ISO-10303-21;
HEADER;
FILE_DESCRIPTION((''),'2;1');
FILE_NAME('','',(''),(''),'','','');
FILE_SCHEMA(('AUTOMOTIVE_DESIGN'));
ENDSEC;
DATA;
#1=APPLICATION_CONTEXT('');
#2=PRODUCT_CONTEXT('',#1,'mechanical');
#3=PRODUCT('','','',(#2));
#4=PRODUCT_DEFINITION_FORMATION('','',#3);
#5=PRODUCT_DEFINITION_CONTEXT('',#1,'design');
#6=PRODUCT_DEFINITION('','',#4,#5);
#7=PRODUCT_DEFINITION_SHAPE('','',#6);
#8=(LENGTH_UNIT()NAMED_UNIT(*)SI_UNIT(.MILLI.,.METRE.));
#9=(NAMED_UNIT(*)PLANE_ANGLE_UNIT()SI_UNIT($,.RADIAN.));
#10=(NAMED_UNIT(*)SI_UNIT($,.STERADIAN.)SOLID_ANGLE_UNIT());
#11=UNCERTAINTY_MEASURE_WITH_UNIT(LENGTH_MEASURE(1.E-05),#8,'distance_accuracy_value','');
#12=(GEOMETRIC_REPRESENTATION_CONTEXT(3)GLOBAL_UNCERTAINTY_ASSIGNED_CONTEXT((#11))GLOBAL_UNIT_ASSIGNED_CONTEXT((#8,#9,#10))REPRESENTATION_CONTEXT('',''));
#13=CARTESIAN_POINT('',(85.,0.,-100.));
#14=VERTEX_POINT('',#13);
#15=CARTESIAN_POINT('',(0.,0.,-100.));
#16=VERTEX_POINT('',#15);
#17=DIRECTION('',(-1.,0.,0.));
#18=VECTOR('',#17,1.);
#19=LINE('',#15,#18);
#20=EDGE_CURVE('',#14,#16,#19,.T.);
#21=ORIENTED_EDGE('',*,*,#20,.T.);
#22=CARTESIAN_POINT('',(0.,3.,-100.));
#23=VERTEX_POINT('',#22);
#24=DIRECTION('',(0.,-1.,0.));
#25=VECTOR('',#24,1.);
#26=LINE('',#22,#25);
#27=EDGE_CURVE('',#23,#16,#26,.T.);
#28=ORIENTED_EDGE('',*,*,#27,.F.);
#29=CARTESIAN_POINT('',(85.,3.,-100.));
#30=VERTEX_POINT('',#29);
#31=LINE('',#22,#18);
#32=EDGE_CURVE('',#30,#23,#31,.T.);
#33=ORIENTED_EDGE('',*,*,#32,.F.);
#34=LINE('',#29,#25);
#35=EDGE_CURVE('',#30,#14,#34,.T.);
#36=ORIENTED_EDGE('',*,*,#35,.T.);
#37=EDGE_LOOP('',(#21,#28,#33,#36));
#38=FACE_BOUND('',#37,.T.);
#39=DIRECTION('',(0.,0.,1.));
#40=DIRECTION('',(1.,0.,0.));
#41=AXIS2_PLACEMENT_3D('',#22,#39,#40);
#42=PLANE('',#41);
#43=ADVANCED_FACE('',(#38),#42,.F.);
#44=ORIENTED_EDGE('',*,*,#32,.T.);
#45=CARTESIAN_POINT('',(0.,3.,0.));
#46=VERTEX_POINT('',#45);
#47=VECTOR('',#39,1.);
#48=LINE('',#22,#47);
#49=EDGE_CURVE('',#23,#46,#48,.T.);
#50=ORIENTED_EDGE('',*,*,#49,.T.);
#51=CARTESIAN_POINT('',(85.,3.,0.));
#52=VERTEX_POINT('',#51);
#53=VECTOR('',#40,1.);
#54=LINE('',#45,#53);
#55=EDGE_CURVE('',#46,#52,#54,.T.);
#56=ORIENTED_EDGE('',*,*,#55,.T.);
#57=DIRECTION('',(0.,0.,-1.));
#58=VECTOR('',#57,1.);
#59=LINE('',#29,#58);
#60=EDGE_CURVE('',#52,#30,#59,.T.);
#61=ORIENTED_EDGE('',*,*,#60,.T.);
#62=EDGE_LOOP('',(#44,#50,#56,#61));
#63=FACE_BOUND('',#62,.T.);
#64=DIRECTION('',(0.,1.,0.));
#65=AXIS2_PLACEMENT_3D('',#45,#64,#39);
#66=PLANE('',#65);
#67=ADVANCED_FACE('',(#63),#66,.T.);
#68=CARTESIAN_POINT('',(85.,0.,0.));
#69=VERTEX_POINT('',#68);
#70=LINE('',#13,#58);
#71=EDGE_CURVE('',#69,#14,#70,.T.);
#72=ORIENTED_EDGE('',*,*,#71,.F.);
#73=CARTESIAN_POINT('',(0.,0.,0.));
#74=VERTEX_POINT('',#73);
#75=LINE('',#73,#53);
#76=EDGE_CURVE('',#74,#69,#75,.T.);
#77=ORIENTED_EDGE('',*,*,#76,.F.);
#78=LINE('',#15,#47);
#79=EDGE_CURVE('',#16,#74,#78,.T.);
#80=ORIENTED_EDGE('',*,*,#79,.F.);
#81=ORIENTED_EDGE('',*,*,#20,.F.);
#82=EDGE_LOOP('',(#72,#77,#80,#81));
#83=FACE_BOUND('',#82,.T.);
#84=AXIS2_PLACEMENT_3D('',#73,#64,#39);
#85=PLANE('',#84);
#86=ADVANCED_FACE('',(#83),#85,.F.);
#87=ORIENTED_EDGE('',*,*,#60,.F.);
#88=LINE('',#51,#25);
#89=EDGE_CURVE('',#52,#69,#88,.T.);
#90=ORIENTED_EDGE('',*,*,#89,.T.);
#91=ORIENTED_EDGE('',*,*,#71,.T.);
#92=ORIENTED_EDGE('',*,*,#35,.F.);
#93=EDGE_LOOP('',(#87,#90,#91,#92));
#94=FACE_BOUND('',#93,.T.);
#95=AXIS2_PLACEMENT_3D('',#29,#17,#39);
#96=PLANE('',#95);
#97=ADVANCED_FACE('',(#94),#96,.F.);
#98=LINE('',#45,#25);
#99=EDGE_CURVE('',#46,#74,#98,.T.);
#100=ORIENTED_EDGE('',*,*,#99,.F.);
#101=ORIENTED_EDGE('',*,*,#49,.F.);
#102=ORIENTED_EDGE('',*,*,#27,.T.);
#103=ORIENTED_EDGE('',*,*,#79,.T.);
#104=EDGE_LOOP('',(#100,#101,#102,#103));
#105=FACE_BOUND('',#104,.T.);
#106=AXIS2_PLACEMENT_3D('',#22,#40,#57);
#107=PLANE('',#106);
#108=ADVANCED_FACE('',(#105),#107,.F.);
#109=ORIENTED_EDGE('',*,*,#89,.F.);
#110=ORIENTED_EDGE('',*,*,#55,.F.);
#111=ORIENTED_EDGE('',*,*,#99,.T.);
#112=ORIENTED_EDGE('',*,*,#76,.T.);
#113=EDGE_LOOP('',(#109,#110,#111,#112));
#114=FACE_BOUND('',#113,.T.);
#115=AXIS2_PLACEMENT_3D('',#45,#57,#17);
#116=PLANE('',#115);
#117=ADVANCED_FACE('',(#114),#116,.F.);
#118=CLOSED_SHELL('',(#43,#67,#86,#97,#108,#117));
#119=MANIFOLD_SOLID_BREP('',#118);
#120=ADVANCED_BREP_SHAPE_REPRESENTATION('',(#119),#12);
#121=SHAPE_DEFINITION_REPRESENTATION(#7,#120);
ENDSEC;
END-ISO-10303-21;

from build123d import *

# Parameters (mm, degrees)
SKETCH_1_W      = 85
SKETCH_1_H      = 100
EXTRUDE_1_DEPTH = 3


with BuildPart() as part:
    # Эскиз1 → Бобышка-Вытянуть1 (new body)
    with BuildSketch(Plane(origin=(0, 0, 0), x_dir=(1, 0, 0), z_dir=(0, 1, 0))):
        with Locations((42.5, 50)):
            Rectangle(SKETCH_1_W, SKETCH_1_H)
    extrude(amount=EXTRUDE_1_DEPTH)


solid = part.part
